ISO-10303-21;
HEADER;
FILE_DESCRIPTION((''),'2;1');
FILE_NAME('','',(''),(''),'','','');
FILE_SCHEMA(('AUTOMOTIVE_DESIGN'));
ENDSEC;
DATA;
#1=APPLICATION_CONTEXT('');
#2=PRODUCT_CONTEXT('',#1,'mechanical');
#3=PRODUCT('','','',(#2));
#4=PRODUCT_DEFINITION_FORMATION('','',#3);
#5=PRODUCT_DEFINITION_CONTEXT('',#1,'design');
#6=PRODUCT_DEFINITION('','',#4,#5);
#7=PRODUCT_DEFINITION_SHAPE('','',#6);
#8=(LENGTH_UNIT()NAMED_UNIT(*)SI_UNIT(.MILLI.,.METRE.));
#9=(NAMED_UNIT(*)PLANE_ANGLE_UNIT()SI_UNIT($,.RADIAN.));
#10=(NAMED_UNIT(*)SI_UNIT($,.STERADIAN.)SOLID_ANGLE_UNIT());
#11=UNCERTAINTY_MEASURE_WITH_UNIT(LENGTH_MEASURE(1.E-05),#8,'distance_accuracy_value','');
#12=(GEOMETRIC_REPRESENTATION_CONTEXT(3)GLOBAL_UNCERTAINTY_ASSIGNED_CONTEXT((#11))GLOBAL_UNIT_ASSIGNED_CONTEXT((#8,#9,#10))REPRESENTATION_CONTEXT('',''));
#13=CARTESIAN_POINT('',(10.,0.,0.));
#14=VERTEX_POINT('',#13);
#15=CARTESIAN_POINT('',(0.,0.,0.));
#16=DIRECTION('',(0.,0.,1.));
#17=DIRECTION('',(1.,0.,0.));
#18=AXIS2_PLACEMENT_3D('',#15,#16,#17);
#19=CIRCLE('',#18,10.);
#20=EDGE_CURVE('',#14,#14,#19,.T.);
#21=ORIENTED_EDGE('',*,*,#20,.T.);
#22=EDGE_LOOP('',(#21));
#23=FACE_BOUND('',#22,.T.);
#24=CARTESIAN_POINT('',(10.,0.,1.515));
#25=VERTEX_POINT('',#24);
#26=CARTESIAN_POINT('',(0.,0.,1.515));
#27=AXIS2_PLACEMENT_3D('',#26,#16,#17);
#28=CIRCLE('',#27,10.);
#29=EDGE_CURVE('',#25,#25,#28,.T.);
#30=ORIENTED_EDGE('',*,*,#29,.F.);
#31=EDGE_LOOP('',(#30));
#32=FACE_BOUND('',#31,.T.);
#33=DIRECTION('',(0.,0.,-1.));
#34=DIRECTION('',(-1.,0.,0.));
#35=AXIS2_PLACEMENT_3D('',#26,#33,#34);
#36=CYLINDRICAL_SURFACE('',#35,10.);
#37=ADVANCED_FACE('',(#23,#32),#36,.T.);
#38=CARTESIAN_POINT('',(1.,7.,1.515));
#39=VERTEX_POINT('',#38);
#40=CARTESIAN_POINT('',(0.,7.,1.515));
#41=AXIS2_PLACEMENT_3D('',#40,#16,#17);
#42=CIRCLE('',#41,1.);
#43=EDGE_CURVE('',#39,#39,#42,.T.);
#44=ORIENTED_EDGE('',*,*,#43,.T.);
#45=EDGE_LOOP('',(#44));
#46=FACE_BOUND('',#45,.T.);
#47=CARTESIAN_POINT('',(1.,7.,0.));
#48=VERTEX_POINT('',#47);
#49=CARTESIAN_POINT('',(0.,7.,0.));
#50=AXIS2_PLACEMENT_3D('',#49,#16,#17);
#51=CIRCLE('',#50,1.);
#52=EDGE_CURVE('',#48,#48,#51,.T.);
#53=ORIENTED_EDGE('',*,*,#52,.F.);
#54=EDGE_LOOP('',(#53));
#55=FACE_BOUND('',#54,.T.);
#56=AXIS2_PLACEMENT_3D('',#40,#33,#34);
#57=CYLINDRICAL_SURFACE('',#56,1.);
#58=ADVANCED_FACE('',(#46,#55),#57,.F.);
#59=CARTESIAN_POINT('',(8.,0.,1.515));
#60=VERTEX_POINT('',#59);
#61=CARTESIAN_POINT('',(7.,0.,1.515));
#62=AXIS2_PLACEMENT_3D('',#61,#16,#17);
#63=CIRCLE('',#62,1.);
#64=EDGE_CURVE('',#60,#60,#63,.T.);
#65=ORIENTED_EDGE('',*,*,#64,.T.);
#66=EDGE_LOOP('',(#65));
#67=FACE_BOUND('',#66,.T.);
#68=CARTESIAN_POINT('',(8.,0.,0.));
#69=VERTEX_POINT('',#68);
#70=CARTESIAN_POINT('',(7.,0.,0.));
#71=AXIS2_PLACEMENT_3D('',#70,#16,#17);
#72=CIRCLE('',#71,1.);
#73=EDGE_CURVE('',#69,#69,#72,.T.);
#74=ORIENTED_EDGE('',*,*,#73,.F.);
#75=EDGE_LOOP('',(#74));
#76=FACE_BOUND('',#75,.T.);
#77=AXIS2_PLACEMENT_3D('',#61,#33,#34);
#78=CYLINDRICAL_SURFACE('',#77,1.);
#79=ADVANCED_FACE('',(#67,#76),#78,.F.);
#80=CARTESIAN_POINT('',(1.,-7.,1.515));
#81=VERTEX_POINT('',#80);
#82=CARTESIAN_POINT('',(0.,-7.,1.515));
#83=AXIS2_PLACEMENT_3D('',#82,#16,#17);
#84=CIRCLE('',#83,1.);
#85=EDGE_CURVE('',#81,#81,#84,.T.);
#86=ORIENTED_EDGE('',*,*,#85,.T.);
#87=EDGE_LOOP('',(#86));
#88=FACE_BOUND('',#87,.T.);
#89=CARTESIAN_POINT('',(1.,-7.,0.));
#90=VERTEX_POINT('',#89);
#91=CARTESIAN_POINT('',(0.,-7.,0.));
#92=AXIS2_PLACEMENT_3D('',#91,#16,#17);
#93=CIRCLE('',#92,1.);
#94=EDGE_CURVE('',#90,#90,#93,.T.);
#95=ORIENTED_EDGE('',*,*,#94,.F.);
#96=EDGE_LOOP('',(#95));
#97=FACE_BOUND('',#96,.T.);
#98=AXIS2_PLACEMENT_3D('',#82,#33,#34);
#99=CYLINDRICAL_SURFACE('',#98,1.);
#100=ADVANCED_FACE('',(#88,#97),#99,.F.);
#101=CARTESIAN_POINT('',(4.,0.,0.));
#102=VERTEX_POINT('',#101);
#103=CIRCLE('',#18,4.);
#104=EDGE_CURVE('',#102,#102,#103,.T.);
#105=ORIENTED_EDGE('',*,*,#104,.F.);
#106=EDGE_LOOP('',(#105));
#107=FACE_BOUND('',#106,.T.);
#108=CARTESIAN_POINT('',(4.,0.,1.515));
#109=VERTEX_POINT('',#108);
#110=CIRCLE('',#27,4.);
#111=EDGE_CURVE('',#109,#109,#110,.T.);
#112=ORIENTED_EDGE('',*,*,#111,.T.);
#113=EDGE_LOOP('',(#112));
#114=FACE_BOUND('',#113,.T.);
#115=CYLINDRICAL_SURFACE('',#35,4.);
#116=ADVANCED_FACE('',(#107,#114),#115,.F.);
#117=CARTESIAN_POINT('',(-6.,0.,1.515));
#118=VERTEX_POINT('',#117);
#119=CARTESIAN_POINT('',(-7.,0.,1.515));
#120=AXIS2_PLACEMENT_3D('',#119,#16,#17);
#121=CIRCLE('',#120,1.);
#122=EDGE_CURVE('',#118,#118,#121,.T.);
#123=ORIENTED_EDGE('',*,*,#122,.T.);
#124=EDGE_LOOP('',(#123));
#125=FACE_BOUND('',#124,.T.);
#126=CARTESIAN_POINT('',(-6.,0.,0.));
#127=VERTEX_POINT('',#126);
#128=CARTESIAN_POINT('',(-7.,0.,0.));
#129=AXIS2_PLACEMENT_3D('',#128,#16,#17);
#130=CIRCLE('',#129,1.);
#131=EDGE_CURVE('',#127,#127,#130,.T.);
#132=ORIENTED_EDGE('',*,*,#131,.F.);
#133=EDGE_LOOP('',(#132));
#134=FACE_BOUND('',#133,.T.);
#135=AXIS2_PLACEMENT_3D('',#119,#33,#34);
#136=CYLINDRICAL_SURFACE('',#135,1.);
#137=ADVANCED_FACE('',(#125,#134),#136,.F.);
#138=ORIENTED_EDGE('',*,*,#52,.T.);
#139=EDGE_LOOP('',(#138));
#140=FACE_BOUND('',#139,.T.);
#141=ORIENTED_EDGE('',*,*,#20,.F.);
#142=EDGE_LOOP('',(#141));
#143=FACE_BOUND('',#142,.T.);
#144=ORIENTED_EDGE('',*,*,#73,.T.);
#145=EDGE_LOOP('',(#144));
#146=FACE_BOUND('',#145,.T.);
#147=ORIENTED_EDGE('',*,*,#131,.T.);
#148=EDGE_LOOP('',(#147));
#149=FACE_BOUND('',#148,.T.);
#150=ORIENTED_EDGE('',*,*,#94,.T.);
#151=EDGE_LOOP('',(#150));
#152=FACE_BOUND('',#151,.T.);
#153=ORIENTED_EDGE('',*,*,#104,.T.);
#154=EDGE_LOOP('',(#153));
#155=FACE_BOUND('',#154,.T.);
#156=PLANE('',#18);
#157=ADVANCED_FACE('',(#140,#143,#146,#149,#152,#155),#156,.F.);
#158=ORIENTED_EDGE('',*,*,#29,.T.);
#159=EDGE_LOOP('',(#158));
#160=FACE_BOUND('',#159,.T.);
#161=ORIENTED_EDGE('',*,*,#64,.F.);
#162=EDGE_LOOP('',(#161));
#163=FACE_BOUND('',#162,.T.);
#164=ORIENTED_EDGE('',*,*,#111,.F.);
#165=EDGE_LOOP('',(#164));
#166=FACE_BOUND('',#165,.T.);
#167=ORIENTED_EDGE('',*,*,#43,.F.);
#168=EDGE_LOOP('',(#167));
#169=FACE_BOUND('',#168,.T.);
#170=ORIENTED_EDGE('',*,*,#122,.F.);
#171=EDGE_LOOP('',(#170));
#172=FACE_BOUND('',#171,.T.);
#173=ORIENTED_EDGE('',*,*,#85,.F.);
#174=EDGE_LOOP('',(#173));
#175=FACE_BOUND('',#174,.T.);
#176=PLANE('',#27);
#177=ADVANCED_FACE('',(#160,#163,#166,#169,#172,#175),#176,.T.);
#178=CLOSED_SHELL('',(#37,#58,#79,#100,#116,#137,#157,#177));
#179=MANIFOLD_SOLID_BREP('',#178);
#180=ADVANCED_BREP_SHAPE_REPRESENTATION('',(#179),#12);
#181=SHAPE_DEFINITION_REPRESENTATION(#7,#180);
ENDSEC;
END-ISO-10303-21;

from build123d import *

# Parameters (mm, degrees)
IZIM1_R                     = 10
IZIM1_R_2                   = 4
IZIM1_R_3                   = 1
Y_KSEKLIK_EKSTR_ZYON1_DEPTH = 1.515


with BuildPart() as part:
    # Çizim1 → Yükseklik-Ekstrüzyon1 (new body)
    with BuildSketch(Plane.XY):
        Circle(IZIM1_R)
        Circle(IZIM1_R_2, mode=Mode.SUBTRACT)
        with Locations((-7, 0)):
            Circle(IZIM1_R_3, mode=Mode.SUBTRACT)
        with Locations((0, 7)):
            Circle(IZIM1_R_3, mode=Mode.SUBTRACT)
        with Locations((7, 0)):
            Circle(IZIM1_R_3, mode=Mode.SUBTRACT)
        with Locations((0, -7)):
            Circle(IZIM1_R_3, mode=Mode.SUBTRACT)
    extrude(amount=Y_KSEKLIK_EKSTR_ZYON1_DEPTH)


solid = part.part
